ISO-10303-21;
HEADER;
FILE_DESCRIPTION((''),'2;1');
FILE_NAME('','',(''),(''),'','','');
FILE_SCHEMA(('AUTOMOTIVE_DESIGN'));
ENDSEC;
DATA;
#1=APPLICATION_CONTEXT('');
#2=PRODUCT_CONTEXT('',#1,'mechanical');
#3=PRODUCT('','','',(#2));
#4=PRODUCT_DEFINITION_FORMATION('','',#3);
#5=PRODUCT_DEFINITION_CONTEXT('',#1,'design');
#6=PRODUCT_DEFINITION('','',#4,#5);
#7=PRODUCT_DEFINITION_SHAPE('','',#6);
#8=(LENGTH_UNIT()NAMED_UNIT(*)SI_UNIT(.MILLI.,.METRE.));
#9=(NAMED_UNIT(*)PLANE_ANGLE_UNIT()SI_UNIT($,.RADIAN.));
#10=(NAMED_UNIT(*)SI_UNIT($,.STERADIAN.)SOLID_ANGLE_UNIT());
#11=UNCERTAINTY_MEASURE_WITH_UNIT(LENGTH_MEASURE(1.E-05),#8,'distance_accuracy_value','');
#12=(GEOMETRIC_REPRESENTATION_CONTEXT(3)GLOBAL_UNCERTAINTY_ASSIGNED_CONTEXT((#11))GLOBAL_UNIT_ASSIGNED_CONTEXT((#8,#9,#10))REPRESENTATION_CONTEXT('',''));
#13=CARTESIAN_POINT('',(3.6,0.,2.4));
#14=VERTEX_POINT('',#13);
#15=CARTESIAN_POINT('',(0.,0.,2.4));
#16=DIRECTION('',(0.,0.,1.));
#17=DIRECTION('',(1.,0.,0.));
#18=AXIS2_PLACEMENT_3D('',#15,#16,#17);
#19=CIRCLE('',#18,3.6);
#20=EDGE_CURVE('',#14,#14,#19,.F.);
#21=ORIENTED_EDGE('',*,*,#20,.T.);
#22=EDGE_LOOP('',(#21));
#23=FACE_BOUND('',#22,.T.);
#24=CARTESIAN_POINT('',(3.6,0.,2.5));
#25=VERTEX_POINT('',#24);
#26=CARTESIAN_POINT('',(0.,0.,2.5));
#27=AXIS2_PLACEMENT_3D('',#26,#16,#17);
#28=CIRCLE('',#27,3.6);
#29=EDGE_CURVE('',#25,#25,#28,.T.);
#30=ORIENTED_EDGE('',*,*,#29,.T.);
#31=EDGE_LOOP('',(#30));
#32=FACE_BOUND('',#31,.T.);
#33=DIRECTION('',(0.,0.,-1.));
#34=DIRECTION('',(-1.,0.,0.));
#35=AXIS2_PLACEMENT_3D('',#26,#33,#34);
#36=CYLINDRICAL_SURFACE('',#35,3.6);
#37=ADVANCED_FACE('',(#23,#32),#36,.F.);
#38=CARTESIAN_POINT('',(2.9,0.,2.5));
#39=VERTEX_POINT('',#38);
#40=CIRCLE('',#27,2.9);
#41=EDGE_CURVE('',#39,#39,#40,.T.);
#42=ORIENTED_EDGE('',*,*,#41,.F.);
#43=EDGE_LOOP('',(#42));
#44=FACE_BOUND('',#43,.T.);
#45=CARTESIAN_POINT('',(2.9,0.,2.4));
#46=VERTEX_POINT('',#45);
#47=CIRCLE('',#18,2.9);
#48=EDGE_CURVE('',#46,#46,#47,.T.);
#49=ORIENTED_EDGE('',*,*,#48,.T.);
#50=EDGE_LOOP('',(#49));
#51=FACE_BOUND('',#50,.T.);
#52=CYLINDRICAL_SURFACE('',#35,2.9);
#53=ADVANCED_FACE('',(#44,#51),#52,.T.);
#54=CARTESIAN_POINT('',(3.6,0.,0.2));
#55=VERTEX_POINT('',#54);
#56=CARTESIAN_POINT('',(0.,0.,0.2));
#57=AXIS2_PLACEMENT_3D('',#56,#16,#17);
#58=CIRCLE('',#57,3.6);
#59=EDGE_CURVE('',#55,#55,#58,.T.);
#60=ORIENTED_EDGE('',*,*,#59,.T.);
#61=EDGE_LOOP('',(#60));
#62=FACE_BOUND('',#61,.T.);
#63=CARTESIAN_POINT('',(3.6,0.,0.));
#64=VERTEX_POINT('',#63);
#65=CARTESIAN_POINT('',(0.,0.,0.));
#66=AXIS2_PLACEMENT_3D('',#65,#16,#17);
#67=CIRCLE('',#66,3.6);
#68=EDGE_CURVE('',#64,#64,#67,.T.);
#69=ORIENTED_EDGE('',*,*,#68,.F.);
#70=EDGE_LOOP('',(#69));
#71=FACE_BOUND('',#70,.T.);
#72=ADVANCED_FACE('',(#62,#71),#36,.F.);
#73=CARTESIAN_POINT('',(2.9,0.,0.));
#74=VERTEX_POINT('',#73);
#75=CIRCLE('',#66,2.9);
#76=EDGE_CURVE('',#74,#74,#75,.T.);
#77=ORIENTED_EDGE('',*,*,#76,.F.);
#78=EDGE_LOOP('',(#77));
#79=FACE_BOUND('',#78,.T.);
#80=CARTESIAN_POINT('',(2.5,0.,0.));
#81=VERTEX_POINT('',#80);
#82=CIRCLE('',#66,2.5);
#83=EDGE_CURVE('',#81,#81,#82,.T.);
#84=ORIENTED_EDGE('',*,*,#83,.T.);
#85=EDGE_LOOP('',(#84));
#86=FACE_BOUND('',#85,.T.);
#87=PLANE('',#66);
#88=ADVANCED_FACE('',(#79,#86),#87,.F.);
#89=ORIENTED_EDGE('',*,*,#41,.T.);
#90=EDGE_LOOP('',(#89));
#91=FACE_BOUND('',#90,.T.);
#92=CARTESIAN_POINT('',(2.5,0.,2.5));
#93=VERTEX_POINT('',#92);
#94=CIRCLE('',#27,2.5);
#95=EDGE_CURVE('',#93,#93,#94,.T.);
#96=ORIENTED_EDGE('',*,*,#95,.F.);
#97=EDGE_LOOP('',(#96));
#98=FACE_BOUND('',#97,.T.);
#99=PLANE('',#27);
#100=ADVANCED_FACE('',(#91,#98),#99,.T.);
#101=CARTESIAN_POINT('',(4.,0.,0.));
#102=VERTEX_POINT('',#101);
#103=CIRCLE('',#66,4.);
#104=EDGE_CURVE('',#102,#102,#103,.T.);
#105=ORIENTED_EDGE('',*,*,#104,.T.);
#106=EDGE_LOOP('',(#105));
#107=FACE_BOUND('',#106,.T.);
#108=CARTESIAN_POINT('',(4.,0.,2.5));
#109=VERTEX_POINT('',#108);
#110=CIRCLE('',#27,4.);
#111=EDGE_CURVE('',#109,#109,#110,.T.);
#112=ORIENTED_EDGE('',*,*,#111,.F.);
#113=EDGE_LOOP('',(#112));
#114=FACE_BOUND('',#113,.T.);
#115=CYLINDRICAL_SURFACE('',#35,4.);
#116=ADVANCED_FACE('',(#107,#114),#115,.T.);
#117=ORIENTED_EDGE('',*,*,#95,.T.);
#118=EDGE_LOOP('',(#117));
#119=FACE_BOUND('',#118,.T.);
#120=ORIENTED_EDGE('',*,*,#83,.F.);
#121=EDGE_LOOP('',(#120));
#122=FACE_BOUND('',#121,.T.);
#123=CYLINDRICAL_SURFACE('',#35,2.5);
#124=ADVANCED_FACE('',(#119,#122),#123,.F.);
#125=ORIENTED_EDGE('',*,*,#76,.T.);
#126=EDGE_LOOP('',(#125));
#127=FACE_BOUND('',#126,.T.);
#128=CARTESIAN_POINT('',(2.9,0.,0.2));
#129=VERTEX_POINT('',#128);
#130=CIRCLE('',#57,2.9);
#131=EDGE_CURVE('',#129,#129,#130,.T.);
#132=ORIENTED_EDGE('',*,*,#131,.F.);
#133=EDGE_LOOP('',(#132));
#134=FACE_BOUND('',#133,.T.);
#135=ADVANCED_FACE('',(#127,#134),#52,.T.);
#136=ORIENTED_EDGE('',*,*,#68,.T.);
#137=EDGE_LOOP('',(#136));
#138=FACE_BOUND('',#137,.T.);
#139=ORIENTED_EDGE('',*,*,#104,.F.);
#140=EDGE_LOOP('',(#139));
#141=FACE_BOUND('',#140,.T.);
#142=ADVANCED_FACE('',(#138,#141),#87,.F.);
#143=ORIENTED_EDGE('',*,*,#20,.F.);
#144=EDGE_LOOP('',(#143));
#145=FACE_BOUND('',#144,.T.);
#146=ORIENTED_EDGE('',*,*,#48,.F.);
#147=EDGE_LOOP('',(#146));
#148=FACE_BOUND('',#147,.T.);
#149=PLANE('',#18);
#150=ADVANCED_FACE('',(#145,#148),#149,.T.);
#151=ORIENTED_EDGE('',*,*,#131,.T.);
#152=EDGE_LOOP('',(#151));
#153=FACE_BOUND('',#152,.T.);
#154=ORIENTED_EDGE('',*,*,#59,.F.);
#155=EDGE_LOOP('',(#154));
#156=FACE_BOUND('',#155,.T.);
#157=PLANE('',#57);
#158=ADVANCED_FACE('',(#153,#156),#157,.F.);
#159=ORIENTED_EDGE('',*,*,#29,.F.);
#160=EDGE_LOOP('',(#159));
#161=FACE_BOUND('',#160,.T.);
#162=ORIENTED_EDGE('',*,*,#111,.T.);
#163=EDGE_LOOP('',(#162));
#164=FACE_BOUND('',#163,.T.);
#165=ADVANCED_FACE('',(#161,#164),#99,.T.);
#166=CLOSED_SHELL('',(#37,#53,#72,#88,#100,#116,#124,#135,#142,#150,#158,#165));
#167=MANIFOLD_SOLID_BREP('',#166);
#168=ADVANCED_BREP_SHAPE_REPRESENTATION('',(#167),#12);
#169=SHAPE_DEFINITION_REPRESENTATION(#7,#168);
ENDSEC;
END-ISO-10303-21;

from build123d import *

# Parameters (mm, degrees)
SKETCH1_R          = 2.9
SKETCH1_R_2        = 2.5
EXTRUSION1_DEPTH   = 2.5
SKETCH1_R_3        = 4
SKETCH1_R_4        = 3.6
EXTRUSION1_2_DEPTH = 2.5
SKETCH2_R          = 3.6
SKETCH2_R_2        = 2.9
EXTRUSION2_DEPTH   = 2.2


with BuildPart() as part:
    # Sketch1 → Extrusion1 (new body)
    with BuildSketch(Plane.XY):
        Circle(SKETCH1_R)
        Circle(SKETCH1_R_2, mode=Mode.SUBTRACT)
    extrude(amount=EXTRUSION1_DEPTH)



with BuildPart() as body_2:
    # Sketch1 → Extrusion1 2 (new body)
    with BuildSketch(Plane.XY):
        Circle(SKETCH1_R_3)
        Circle(SKETCH1_R_4, mode=Mode.SUBTRACT)
    extrude(amount=EXTRUSION1_2_DEPTH)


with BuildPart() as part_1:
    add(part.part)

    add(body_2.part)  # Extrusion2 merges body 2
    # Sketch2 → Extrusion2 (add)
    with BuildSketch(Plane.XY.offset(0.2)):
        Circle(SKETCH2_R)
        Circle(SKETCH2_R_2, mode=Mode.SUBTRACT)
    extrude(amount=EXTRUSION2_DEPTH)


solid = part_1.part
